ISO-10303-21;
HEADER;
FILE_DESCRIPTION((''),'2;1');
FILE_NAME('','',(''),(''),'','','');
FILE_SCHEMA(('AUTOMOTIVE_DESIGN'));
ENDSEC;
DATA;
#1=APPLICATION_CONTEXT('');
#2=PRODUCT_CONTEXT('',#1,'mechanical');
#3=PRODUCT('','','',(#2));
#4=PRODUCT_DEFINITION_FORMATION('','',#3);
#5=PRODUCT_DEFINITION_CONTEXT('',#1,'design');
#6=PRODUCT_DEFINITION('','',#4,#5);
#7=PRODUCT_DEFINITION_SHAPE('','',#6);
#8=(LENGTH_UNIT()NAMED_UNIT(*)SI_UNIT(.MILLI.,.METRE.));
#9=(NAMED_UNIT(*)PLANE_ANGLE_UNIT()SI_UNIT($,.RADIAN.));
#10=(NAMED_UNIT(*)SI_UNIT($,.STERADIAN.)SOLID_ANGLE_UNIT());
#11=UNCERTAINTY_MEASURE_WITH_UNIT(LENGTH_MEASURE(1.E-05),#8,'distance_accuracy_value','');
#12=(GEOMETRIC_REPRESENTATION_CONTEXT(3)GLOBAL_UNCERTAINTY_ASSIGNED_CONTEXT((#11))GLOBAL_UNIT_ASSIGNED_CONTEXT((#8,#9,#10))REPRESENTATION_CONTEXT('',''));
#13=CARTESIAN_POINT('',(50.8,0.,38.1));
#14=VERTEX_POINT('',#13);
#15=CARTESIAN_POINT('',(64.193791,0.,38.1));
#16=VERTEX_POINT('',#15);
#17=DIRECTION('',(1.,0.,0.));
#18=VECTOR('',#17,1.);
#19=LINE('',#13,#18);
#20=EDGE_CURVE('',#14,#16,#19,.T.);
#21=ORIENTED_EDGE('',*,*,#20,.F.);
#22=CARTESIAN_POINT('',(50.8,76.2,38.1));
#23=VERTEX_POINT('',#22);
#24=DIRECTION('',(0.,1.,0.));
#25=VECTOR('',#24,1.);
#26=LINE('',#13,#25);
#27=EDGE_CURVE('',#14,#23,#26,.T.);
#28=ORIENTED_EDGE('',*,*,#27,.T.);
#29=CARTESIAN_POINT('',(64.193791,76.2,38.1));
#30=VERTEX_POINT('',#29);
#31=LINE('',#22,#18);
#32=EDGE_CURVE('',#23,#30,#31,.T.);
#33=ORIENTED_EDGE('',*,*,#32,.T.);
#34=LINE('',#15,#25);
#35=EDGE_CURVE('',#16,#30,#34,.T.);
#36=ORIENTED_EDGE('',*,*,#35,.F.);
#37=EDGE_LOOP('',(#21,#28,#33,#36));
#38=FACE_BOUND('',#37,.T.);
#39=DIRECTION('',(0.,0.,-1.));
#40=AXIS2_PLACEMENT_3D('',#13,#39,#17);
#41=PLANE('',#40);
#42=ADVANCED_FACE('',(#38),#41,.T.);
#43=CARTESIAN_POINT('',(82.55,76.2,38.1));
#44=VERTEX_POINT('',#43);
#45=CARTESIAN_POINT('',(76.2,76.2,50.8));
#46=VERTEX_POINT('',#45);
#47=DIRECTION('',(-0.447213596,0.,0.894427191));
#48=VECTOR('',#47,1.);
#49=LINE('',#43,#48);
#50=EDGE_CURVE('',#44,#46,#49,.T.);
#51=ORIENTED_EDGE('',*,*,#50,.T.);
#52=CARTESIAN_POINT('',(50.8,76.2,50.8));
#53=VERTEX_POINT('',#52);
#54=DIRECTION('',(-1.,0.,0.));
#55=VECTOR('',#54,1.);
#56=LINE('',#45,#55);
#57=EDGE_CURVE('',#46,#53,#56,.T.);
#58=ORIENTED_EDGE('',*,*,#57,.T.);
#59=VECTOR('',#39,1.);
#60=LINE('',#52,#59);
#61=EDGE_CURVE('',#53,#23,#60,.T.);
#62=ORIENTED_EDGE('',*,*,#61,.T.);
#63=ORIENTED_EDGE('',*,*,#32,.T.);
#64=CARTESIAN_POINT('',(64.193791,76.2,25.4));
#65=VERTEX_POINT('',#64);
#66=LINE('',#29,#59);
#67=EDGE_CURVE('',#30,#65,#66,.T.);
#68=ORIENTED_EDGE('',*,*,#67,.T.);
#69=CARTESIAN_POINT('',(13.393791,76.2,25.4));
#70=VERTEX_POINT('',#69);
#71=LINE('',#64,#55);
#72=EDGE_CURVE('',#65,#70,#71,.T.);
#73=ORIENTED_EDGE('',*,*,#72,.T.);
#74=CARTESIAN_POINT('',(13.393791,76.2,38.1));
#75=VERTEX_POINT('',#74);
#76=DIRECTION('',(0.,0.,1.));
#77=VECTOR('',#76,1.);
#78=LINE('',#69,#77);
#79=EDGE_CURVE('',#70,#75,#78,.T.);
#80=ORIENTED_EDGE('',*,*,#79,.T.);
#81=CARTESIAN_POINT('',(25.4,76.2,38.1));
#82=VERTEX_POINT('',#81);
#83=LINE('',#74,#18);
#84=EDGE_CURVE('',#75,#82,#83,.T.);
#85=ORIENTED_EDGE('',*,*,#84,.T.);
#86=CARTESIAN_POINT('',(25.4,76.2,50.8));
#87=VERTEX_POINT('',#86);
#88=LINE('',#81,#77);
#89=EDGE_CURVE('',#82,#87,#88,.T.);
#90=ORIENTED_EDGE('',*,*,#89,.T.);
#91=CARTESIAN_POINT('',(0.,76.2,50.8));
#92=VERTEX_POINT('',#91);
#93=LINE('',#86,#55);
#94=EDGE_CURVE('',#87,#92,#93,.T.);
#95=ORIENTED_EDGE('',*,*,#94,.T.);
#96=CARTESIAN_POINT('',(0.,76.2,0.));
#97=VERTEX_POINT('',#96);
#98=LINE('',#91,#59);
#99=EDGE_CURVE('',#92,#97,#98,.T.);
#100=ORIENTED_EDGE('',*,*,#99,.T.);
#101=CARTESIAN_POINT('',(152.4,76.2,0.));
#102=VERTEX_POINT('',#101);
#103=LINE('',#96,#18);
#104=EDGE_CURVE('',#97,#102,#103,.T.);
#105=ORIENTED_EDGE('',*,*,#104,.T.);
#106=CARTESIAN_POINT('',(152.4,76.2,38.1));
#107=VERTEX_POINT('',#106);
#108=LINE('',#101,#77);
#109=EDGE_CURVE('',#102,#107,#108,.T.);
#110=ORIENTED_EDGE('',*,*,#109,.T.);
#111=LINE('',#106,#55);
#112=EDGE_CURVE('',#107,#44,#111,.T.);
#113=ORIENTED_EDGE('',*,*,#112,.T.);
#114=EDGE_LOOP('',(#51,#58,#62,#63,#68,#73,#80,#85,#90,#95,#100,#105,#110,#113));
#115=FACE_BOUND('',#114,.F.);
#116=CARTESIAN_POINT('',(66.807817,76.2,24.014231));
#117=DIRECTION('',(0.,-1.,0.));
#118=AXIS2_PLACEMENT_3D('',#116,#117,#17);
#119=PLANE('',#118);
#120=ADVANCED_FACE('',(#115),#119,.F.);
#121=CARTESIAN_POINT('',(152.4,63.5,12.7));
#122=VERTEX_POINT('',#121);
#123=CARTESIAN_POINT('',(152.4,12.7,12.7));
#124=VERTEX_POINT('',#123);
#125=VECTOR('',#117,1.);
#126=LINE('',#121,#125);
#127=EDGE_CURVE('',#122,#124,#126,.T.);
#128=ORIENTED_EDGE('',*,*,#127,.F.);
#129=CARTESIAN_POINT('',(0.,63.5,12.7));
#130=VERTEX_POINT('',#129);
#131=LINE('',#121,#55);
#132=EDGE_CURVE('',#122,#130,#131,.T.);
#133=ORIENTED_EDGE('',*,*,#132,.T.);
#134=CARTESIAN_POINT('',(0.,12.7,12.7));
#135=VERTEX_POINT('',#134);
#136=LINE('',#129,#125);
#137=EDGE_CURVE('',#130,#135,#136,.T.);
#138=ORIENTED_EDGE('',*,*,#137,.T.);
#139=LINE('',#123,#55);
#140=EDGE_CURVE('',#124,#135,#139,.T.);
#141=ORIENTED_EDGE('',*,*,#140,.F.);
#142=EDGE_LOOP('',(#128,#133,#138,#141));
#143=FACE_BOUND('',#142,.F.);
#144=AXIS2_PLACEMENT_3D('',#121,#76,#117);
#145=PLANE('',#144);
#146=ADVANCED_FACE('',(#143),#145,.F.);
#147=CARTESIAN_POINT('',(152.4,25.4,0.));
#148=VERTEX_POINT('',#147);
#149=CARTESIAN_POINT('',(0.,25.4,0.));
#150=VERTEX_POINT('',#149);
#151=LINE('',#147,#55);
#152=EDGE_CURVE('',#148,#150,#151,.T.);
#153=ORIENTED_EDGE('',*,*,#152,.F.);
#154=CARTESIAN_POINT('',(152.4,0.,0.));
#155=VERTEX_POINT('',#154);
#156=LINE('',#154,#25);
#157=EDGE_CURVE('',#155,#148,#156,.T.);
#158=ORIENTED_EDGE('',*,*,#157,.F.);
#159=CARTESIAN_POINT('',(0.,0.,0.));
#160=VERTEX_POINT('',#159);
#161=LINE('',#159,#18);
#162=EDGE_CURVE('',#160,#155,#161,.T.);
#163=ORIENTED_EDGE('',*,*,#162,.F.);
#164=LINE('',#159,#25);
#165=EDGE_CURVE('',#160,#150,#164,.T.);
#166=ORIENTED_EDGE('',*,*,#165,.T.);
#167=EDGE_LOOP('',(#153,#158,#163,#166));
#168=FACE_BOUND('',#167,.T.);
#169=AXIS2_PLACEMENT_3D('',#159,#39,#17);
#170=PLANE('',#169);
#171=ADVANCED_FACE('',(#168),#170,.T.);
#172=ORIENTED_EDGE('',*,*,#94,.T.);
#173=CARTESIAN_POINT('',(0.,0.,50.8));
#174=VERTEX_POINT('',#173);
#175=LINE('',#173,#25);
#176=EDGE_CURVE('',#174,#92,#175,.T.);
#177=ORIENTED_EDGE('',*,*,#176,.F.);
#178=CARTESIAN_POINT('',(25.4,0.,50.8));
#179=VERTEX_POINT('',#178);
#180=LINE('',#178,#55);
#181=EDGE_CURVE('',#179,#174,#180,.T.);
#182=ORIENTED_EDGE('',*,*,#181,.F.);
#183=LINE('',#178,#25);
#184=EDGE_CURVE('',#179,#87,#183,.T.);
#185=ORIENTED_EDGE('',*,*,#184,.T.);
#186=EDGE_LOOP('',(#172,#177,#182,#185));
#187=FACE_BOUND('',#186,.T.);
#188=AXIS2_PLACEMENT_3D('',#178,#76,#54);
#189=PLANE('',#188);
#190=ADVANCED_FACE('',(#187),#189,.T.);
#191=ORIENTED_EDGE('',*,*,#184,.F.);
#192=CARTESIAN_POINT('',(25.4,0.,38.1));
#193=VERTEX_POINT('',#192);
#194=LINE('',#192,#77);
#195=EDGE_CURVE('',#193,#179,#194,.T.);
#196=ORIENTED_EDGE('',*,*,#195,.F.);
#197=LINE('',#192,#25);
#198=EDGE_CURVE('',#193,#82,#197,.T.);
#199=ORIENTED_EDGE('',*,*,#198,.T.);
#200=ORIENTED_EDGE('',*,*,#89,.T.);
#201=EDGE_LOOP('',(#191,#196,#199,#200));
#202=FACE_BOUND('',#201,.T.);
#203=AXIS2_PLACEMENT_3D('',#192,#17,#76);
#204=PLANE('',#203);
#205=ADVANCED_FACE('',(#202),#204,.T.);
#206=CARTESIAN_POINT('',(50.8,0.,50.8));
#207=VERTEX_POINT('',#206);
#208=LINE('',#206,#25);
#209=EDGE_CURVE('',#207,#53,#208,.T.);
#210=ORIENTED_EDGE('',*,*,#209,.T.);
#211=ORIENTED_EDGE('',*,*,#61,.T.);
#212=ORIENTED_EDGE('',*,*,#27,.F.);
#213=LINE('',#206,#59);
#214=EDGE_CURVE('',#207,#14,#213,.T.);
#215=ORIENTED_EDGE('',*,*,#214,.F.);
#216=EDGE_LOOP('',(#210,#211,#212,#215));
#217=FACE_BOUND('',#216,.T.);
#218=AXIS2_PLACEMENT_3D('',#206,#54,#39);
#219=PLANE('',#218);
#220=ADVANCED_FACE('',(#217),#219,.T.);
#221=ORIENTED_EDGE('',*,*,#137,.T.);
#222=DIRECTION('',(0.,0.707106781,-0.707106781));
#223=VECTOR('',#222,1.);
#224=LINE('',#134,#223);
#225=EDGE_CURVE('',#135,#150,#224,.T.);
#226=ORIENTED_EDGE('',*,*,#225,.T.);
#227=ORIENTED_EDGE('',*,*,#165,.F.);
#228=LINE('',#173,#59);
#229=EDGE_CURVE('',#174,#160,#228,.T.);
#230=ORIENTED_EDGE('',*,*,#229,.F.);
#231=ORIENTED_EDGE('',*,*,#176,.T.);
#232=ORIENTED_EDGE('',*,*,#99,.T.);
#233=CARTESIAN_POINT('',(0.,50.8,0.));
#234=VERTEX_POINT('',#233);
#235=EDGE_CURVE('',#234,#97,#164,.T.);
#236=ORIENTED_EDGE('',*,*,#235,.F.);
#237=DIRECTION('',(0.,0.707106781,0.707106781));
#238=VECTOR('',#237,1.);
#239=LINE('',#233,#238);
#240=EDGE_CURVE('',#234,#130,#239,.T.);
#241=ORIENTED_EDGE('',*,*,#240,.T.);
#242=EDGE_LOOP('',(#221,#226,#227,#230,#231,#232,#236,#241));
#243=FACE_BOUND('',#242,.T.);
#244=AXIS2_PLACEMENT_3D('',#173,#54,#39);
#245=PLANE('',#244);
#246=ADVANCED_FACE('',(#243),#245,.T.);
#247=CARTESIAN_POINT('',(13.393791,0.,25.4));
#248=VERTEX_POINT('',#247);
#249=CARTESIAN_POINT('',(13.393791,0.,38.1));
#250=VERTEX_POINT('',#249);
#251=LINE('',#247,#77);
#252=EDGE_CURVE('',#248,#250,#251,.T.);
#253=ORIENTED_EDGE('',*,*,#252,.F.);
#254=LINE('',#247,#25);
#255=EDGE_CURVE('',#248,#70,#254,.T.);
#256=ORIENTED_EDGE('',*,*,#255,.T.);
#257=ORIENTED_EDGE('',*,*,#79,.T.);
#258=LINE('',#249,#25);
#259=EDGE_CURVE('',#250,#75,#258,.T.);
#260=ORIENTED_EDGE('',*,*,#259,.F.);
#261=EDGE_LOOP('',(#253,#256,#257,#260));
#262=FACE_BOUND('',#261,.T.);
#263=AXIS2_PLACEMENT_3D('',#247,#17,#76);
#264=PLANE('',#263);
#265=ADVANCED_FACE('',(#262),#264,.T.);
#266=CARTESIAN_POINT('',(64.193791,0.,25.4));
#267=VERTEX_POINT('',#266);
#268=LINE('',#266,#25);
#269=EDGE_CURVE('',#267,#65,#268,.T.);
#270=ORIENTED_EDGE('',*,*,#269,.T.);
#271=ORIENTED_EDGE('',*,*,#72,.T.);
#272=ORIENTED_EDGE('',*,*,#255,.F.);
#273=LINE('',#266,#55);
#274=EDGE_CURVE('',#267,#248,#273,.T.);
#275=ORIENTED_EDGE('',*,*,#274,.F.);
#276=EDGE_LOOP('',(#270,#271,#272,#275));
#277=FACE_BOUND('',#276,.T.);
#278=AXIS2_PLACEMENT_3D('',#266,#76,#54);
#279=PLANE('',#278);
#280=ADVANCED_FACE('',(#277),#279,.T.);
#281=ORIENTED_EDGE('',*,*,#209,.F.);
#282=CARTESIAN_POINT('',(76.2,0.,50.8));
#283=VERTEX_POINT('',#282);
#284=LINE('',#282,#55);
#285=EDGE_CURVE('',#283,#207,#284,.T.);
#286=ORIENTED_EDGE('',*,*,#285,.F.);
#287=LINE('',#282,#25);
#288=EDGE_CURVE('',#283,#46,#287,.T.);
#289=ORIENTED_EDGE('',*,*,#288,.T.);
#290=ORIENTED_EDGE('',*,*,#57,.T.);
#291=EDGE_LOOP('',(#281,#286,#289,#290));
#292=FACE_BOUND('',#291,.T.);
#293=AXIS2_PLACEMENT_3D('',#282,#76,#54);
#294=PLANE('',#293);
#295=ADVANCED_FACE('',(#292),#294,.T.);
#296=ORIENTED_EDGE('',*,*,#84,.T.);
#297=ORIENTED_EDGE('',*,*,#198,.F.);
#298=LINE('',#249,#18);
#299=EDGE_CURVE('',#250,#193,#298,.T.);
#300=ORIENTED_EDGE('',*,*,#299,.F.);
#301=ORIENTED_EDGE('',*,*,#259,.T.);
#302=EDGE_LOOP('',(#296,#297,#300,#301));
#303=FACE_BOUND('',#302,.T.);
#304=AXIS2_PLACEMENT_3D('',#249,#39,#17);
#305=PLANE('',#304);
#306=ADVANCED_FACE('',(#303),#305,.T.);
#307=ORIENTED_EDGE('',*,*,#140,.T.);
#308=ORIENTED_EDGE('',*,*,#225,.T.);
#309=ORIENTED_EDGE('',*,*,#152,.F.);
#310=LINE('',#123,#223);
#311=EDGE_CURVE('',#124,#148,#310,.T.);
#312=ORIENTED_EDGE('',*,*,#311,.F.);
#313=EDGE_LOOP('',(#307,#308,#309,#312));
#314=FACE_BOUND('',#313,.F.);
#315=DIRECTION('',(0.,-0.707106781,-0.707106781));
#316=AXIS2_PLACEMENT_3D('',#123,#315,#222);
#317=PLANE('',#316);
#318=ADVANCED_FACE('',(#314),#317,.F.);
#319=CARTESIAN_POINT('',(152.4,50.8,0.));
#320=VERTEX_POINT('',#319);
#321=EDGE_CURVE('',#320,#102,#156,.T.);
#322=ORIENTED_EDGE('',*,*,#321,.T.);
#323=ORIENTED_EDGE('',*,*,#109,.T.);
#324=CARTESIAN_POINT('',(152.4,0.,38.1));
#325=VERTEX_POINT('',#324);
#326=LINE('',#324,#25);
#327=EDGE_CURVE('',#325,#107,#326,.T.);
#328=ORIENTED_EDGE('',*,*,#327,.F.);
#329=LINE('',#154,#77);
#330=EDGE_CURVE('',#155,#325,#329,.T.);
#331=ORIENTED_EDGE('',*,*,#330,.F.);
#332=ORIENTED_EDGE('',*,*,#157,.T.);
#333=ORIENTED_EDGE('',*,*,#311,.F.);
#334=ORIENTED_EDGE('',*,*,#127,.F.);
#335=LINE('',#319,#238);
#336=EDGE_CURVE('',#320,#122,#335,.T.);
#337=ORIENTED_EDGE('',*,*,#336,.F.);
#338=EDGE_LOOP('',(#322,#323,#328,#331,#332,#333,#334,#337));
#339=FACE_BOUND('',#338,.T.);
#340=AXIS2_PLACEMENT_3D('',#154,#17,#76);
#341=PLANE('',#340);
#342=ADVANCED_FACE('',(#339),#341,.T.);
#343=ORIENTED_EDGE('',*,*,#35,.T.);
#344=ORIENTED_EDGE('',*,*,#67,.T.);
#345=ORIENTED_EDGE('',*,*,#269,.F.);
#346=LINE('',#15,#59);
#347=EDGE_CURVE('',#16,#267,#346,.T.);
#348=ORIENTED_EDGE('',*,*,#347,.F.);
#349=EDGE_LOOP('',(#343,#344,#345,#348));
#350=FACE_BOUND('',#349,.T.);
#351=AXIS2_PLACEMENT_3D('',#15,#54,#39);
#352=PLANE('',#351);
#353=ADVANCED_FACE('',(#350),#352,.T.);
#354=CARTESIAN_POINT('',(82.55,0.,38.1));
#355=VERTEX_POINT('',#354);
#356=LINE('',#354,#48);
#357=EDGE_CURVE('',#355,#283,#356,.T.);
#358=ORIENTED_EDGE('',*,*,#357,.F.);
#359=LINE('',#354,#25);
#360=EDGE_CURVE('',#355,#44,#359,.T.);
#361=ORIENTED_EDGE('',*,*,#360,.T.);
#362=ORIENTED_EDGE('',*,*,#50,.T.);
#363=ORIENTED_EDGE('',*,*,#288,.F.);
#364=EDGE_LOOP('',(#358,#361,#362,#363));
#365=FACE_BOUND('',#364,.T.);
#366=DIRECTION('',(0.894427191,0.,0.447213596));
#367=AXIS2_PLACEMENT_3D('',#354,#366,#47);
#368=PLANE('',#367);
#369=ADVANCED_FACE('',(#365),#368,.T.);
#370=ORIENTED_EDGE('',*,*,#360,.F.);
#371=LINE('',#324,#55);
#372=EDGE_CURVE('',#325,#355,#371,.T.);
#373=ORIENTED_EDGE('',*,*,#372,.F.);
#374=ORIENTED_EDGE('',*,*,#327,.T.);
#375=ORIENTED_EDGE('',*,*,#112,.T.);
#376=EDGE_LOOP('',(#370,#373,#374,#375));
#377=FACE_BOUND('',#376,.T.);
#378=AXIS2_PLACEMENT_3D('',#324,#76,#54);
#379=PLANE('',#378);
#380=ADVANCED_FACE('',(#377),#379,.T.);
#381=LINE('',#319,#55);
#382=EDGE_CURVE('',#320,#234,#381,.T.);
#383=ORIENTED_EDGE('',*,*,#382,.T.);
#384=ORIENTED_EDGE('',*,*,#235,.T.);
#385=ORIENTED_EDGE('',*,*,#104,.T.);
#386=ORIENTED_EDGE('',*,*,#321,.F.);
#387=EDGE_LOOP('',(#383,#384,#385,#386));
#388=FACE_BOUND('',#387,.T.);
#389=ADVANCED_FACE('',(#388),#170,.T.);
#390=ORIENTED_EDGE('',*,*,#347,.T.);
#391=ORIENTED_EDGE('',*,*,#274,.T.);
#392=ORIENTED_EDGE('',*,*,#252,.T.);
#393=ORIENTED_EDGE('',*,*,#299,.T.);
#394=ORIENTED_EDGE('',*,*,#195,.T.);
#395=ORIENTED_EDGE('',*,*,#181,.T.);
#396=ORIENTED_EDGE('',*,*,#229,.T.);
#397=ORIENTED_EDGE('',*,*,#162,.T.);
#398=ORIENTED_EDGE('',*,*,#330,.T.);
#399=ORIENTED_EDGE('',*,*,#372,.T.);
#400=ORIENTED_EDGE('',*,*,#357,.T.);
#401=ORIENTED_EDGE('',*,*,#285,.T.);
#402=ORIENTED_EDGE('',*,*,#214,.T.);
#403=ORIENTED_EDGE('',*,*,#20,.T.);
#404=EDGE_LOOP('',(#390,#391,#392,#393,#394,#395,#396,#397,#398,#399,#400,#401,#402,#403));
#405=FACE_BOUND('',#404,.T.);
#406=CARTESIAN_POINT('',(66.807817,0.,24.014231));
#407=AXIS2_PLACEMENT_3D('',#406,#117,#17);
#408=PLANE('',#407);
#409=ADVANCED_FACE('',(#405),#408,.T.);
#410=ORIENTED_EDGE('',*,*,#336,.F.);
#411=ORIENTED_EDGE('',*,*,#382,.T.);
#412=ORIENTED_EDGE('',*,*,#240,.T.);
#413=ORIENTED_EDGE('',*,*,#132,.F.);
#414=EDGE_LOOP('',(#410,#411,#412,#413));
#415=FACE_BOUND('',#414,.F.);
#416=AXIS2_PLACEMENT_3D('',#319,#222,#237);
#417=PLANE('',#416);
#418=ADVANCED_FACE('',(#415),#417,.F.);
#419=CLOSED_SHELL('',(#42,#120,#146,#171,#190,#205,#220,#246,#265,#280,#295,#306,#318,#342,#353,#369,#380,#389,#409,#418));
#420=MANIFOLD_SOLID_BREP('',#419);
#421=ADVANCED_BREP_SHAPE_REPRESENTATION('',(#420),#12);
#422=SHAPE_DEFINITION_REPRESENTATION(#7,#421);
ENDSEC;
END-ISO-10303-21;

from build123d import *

# Parameters (mm, degrees)
F1_DEPTH = 76.2
F3_DEPTH = 152.4


with BuildPart() as f1:
    # F0 (on Front) → F1 (new body)
    with BuildSketch(Plane.XZ):
        Polygon((0, 50.8), (0, 0), (152.4, 0), (152.4, 38.1), (82.55, 38.1), (76.2, 50.8), (50.8, 50.8), (50.8, 38.1), (64.193791, 38.1), (64.193791, 25.4), (13.393791, 25.4), (13.393791, 38.1), (25.4, 38.1), (25.4, 50.8), align=None)
    extrude(amount=-F1_DEPTH)

    # F2 (on face) → F3 (cut)
    with BuildSketch(Plane.YZ.offset(152.4)):
        Polygon((12.7, 12.7), (25.4, 0), (50.8, 0), (63.5, 12.7), align=None)
    extrude(amount=-F3_DEPTH, mode=Mode.SUBTRACT)


solid = f1.part
